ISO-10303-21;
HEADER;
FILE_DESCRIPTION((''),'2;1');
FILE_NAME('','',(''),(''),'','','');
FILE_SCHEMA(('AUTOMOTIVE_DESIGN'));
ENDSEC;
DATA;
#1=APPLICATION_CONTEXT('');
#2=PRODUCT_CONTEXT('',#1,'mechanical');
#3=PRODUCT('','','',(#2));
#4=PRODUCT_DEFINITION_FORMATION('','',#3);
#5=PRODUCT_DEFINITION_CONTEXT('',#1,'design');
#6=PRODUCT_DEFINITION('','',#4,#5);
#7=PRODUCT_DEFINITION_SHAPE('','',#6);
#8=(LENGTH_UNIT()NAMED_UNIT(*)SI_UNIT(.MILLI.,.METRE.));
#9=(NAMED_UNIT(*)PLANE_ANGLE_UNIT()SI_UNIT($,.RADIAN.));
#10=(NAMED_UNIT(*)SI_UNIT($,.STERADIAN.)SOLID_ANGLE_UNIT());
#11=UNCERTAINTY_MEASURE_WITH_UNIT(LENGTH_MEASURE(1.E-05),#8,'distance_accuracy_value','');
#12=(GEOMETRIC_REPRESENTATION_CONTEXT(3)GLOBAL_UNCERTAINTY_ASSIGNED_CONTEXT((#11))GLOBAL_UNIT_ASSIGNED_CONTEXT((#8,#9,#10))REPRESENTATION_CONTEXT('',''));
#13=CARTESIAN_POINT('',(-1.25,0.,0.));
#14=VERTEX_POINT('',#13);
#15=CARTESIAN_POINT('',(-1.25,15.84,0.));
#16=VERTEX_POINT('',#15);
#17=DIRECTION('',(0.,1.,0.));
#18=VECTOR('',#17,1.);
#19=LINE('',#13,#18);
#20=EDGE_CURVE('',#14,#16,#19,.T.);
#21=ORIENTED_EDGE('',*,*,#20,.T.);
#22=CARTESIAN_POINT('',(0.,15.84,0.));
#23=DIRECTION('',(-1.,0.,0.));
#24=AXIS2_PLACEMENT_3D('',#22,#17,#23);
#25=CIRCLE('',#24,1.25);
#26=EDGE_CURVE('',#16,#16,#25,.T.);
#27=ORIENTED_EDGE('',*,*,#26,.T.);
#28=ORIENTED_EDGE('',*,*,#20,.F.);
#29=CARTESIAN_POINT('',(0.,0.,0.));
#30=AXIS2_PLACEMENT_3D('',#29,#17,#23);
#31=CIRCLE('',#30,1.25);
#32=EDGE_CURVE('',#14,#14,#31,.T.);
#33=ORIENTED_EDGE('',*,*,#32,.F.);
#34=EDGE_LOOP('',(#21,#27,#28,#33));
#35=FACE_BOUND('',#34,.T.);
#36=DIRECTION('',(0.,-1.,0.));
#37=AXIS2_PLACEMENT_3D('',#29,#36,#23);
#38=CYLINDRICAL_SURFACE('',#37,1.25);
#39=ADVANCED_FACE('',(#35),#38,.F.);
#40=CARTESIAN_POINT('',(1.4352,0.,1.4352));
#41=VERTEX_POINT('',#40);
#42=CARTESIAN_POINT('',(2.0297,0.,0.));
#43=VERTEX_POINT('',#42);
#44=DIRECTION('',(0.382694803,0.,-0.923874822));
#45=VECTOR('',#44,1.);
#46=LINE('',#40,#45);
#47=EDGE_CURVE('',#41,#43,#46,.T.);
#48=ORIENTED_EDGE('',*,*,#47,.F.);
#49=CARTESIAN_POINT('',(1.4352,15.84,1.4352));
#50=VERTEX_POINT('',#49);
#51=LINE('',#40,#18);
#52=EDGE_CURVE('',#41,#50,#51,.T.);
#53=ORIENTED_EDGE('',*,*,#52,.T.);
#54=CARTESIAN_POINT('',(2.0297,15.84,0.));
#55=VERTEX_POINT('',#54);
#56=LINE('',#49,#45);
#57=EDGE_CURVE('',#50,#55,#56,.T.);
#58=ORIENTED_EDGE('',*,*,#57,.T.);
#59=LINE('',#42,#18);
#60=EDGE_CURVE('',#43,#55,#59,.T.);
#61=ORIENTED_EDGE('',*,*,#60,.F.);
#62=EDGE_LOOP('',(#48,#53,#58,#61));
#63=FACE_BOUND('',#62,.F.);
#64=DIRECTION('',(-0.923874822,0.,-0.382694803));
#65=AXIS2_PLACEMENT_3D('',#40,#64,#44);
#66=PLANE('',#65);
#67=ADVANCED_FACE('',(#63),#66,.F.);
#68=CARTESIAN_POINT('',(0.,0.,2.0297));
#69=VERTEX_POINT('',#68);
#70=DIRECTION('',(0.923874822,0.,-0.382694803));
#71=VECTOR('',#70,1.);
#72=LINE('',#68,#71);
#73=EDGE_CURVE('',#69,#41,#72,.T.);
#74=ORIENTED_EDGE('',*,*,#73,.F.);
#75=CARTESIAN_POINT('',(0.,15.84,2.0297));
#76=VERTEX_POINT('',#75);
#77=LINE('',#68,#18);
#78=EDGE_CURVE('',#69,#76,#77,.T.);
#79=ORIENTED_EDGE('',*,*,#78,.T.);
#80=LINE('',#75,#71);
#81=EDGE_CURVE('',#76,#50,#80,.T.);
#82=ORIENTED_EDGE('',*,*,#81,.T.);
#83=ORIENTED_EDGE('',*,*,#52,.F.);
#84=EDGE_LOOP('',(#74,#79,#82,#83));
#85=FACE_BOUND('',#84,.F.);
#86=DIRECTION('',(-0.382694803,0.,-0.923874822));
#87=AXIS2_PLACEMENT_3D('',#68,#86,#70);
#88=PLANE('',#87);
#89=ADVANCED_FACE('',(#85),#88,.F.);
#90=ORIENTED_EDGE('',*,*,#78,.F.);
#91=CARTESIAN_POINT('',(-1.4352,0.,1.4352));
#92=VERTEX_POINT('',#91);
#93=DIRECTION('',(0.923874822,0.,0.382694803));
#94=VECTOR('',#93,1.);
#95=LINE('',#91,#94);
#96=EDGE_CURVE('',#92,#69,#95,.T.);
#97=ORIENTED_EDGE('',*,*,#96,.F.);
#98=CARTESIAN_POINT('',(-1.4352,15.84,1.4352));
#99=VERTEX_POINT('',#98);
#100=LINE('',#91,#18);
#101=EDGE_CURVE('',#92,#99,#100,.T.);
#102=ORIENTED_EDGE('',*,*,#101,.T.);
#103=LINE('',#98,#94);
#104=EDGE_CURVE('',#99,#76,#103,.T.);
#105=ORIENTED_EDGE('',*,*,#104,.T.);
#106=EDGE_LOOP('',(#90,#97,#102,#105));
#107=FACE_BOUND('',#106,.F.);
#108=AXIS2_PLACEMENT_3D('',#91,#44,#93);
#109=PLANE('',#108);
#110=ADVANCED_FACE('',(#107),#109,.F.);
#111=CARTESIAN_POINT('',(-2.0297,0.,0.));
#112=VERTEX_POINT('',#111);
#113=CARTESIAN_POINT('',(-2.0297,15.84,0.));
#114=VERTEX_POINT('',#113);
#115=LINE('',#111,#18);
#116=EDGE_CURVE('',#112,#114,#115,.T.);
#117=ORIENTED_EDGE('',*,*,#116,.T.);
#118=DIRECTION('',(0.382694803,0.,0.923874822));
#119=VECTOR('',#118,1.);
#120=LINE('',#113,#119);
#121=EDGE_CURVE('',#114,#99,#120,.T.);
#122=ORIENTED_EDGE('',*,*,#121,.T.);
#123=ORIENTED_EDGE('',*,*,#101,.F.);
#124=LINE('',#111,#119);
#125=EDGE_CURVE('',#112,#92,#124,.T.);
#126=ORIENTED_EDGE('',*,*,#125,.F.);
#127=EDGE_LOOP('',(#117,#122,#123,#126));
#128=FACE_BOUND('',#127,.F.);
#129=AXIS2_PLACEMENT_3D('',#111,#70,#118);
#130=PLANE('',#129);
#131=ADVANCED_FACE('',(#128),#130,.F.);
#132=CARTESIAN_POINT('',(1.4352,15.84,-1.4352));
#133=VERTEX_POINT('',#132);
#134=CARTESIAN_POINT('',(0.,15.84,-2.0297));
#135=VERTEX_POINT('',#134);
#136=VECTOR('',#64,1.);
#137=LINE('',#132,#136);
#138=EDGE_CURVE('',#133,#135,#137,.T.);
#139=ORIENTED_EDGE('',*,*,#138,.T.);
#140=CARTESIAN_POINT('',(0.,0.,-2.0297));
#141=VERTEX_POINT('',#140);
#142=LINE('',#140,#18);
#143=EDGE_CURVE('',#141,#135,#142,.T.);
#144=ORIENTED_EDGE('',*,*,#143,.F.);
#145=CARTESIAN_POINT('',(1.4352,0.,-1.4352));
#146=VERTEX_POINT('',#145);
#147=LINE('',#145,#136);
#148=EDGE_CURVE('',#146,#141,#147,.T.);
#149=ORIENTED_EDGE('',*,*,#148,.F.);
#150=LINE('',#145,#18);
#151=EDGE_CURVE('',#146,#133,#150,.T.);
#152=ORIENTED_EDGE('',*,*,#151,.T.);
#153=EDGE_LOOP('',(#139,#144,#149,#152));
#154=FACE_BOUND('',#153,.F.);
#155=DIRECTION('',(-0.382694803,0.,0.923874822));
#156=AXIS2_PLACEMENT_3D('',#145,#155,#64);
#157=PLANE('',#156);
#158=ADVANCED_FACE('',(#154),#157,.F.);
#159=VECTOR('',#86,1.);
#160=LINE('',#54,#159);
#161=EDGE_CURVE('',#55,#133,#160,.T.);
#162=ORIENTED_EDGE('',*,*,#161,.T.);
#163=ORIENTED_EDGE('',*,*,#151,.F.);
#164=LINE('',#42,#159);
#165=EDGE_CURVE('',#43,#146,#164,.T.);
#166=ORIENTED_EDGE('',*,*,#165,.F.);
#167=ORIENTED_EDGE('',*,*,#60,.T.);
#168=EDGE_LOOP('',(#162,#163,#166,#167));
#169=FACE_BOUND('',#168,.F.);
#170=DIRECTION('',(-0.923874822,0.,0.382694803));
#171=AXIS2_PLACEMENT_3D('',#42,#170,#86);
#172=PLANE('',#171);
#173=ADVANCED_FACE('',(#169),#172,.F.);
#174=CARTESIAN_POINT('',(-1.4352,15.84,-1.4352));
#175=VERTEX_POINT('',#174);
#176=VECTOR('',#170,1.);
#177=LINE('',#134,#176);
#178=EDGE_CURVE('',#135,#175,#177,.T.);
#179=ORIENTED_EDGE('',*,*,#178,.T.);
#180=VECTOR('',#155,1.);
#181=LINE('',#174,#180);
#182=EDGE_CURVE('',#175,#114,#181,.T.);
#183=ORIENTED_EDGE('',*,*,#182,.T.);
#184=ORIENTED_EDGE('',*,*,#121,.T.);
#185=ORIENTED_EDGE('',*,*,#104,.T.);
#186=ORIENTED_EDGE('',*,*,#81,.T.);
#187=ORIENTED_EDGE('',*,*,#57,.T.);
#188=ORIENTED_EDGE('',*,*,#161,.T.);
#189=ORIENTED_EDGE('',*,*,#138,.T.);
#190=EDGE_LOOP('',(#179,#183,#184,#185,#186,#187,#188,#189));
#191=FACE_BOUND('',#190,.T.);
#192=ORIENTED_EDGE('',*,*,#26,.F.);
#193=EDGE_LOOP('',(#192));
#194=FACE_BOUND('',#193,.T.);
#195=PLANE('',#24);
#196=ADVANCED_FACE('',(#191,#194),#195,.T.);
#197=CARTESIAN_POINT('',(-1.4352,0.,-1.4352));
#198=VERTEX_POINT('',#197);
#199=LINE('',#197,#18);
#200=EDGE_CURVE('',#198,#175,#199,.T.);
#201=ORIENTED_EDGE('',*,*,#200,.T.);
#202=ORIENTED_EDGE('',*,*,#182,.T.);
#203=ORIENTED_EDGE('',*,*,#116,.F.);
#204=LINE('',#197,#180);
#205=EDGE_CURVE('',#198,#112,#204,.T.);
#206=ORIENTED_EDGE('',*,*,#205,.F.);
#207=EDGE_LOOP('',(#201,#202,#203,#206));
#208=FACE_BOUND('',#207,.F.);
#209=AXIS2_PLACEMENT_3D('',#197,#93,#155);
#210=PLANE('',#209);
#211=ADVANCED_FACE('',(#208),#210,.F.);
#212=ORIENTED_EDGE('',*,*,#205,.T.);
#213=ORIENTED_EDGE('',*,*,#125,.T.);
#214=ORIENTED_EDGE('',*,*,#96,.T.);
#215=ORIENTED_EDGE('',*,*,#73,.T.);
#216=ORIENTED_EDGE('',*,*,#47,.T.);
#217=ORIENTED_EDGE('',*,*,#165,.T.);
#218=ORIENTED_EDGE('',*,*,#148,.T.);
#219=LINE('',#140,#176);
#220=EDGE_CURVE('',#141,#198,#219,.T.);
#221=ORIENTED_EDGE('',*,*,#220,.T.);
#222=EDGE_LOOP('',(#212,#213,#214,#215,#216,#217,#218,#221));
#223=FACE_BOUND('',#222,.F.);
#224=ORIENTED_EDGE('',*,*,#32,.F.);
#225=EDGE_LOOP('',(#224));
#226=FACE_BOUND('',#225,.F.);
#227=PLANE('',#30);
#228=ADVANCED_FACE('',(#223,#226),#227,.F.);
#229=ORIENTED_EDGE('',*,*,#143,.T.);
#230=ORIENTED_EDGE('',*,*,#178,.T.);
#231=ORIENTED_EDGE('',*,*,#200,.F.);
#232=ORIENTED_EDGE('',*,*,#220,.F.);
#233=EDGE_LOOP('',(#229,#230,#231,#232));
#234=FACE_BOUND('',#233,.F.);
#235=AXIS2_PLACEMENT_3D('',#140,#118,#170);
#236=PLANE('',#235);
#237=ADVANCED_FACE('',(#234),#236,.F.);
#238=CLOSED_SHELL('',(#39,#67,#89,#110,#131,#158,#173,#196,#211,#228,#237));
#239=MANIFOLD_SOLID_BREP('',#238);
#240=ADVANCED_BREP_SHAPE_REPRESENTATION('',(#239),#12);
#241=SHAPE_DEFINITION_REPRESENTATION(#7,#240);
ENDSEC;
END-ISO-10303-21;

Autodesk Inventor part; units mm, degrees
ref_plane "YZ Plane" through (0, 0, 0) normal (1, 0, 0) x (0, 1, 0)
ref_plane "XZ Plane" through (0, 0, 0) normal (0, 1, 0) x (-1, 0, 0)
ref_plane "XY Plane" through (0, 0, 0) normal (0, 0, 1) x (1, 0, 0)
sketch "Sketch1" plane through (0, 0, 0) normal (0, 1, 0) x (-1, 0, 0)
  circle A0 centre (0, 0) radius 1.25
  line L0 (0, 0) -> (2.5, 0) construction
  line L1 (1.4352, -1.4352) -> (2.0297, 0)
  line L2 (1.4352, 1.4352) -> (0, 2.0297)
  line L3 (0, 2.0297) -> (-1.4352, 1.4352)
  line L4 (-1.4352, 1.4352) -> (-2.0297, 0)
  line L5 (-2.0297, 0) -> (-1.4352, -1.4352)
  line L6 (-1.4352, -1.4352) -> (0, -2.0297)
  line L7 (0, -2.0297) -> (1.4352, -1.4352)
  line L8 (2.0297, 0) -> (1.4352, 1.4352)
  dimension "d0" = 2.5
extrude "Extrusion1" add sketch "Sketch1" along normal blind 15.84
properties part number "base_telaio_casters"
